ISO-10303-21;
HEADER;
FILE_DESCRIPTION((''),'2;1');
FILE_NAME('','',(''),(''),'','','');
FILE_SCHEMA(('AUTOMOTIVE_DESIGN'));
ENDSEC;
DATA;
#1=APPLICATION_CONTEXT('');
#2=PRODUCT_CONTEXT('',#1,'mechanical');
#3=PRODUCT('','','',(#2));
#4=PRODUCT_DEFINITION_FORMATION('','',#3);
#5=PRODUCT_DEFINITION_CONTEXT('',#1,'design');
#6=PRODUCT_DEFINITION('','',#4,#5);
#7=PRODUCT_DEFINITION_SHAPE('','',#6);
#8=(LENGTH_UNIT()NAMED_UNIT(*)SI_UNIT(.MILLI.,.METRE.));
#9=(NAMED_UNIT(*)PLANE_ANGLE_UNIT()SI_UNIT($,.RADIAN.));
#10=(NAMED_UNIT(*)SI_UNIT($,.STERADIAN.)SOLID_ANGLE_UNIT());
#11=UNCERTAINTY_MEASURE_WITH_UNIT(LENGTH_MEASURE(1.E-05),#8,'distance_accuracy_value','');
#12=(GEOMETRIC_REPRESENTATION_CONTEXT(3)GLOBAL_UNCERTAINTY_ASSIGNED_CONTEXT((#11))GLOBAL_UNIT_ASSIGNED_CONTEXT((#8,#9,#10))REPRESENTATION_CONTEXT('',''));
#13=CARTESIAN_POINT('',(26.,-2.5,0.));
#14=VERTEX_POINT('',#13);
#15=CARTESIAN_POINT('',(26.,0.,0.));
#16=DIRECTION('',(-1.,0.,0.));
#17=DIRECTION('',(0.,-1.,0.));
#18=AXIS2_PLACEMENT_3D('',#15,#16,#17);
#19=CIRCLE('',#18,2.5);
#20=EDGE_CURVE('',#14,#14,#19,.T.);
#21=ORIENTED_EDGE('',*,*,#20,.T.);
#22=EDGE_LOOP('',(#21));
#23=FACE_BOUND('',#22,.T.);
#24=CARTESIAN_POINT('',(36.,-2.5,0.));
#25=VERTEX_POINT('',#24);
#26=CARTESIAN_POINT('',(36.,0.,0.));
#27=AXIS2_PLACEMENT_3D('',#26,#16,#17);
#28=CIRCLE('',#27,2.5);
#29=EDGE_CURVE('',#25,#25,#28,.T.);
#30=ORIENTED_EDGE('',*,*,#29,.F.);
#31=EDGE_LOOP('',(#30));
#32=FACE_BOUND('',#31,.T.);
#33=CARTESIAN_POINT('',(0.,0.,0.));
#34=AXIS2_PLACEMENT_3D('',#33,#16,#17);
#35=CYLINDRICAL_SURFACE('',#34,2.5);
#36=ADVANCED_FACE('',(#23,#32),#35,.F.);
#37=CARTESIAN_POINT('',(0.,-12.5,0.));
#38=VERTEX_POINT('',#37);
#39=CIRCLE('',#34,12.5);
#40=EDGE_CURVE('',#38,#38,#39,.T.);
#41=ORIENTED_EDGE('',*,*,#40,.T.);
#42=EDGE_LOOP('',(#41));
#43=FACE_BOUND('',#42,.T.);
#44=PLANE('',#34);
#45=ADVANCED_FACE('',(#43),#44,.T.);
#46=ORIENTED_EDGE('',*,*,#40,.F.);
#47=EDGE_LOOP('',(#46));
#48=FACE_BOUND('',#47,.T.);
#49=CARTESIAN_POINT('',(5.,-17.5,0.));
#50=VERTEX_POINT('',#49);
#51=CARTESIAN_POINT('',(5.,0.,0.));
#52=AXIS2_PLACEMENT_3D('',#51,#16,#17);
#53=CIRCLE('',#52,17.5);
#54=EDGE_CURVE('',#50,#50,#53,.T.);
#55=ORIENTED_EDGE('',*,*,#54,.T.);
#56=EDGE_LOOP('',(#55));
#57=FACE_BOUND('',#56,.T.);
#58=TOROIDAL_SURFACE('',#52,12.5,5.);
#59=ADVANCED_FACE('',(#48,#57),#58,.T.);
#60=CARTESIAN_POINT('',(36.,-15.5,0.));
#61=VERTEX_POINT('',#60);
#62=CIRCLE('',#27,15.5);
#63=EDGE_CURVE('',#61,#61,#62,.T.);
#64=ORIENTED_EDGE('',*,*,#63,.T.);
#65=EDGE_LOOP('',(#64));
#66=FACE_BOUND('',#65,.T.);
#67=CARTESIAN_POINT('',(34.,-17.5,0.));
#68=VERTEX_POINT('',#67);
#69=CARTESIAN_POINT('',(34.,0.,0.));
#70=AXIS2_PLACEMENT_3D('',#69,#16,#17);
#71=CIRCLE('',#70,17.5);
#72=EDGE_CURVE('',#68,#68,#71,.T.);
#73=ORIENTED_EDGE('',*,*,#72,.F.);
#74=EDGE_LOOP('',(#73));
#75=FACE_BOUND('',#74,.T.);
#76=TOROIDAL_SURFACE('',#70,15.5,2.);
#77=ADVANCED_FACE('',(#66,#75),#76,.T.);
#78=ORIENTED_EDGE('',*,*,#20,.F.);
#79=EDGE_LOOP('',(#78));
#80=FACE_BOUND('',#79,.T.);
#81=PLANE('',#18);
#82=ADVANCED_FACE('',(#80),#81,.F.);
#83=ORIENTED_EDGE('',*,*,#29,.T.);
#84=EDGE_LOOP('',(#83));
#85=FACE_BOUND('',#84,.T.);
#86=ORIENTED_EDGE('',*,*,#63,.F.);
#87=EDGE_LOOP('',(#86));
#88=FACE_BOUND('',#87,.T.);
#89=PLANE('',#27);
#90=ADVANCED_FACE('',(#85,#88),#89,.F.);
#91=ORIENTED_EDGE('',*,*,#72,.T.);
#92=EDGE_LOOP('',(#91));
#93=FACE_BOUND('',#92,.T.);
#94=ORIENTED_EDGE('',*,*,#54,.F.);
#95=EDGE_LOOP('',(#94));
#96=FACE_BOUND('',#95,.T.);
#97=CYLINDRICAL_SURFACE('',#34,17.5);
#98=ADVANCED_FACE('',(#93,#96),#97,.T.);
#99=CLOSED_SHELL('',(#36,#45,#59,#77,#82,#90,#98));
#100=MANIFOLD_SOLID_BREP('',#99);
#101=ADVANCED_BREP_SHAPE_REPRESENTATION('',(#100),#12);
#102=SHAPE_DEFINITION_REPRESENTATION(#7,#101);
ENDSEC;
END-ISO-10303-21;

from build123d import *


with BuildPart() as part:
    # Sketch1 → Revolve1 (revolve)
    with BuildSketch(Plane.XY):
        with BuildLine():
            Line((0, 0), (26, 0))
            Line((26, 0), (26, -2.5))
            Line((26, -2.5), (36, -2.5))
            Line((36, -2.5), (36, -15.5))
            ThreePointArc((36, -15.5), (35.414213562, -16.914213562), (34, -17.5))
            Line((34, -17.5), (5, -17.5))
            ThreePointArc((5, -17.5), (1.464466094, -16.035533906), (0, -12.5))
            Line((0, -12.5), (0, 0))
        make_face()
    revolve(axis=Axis((0, 0, 0), (1, 0, 0)))


solid = part.part
